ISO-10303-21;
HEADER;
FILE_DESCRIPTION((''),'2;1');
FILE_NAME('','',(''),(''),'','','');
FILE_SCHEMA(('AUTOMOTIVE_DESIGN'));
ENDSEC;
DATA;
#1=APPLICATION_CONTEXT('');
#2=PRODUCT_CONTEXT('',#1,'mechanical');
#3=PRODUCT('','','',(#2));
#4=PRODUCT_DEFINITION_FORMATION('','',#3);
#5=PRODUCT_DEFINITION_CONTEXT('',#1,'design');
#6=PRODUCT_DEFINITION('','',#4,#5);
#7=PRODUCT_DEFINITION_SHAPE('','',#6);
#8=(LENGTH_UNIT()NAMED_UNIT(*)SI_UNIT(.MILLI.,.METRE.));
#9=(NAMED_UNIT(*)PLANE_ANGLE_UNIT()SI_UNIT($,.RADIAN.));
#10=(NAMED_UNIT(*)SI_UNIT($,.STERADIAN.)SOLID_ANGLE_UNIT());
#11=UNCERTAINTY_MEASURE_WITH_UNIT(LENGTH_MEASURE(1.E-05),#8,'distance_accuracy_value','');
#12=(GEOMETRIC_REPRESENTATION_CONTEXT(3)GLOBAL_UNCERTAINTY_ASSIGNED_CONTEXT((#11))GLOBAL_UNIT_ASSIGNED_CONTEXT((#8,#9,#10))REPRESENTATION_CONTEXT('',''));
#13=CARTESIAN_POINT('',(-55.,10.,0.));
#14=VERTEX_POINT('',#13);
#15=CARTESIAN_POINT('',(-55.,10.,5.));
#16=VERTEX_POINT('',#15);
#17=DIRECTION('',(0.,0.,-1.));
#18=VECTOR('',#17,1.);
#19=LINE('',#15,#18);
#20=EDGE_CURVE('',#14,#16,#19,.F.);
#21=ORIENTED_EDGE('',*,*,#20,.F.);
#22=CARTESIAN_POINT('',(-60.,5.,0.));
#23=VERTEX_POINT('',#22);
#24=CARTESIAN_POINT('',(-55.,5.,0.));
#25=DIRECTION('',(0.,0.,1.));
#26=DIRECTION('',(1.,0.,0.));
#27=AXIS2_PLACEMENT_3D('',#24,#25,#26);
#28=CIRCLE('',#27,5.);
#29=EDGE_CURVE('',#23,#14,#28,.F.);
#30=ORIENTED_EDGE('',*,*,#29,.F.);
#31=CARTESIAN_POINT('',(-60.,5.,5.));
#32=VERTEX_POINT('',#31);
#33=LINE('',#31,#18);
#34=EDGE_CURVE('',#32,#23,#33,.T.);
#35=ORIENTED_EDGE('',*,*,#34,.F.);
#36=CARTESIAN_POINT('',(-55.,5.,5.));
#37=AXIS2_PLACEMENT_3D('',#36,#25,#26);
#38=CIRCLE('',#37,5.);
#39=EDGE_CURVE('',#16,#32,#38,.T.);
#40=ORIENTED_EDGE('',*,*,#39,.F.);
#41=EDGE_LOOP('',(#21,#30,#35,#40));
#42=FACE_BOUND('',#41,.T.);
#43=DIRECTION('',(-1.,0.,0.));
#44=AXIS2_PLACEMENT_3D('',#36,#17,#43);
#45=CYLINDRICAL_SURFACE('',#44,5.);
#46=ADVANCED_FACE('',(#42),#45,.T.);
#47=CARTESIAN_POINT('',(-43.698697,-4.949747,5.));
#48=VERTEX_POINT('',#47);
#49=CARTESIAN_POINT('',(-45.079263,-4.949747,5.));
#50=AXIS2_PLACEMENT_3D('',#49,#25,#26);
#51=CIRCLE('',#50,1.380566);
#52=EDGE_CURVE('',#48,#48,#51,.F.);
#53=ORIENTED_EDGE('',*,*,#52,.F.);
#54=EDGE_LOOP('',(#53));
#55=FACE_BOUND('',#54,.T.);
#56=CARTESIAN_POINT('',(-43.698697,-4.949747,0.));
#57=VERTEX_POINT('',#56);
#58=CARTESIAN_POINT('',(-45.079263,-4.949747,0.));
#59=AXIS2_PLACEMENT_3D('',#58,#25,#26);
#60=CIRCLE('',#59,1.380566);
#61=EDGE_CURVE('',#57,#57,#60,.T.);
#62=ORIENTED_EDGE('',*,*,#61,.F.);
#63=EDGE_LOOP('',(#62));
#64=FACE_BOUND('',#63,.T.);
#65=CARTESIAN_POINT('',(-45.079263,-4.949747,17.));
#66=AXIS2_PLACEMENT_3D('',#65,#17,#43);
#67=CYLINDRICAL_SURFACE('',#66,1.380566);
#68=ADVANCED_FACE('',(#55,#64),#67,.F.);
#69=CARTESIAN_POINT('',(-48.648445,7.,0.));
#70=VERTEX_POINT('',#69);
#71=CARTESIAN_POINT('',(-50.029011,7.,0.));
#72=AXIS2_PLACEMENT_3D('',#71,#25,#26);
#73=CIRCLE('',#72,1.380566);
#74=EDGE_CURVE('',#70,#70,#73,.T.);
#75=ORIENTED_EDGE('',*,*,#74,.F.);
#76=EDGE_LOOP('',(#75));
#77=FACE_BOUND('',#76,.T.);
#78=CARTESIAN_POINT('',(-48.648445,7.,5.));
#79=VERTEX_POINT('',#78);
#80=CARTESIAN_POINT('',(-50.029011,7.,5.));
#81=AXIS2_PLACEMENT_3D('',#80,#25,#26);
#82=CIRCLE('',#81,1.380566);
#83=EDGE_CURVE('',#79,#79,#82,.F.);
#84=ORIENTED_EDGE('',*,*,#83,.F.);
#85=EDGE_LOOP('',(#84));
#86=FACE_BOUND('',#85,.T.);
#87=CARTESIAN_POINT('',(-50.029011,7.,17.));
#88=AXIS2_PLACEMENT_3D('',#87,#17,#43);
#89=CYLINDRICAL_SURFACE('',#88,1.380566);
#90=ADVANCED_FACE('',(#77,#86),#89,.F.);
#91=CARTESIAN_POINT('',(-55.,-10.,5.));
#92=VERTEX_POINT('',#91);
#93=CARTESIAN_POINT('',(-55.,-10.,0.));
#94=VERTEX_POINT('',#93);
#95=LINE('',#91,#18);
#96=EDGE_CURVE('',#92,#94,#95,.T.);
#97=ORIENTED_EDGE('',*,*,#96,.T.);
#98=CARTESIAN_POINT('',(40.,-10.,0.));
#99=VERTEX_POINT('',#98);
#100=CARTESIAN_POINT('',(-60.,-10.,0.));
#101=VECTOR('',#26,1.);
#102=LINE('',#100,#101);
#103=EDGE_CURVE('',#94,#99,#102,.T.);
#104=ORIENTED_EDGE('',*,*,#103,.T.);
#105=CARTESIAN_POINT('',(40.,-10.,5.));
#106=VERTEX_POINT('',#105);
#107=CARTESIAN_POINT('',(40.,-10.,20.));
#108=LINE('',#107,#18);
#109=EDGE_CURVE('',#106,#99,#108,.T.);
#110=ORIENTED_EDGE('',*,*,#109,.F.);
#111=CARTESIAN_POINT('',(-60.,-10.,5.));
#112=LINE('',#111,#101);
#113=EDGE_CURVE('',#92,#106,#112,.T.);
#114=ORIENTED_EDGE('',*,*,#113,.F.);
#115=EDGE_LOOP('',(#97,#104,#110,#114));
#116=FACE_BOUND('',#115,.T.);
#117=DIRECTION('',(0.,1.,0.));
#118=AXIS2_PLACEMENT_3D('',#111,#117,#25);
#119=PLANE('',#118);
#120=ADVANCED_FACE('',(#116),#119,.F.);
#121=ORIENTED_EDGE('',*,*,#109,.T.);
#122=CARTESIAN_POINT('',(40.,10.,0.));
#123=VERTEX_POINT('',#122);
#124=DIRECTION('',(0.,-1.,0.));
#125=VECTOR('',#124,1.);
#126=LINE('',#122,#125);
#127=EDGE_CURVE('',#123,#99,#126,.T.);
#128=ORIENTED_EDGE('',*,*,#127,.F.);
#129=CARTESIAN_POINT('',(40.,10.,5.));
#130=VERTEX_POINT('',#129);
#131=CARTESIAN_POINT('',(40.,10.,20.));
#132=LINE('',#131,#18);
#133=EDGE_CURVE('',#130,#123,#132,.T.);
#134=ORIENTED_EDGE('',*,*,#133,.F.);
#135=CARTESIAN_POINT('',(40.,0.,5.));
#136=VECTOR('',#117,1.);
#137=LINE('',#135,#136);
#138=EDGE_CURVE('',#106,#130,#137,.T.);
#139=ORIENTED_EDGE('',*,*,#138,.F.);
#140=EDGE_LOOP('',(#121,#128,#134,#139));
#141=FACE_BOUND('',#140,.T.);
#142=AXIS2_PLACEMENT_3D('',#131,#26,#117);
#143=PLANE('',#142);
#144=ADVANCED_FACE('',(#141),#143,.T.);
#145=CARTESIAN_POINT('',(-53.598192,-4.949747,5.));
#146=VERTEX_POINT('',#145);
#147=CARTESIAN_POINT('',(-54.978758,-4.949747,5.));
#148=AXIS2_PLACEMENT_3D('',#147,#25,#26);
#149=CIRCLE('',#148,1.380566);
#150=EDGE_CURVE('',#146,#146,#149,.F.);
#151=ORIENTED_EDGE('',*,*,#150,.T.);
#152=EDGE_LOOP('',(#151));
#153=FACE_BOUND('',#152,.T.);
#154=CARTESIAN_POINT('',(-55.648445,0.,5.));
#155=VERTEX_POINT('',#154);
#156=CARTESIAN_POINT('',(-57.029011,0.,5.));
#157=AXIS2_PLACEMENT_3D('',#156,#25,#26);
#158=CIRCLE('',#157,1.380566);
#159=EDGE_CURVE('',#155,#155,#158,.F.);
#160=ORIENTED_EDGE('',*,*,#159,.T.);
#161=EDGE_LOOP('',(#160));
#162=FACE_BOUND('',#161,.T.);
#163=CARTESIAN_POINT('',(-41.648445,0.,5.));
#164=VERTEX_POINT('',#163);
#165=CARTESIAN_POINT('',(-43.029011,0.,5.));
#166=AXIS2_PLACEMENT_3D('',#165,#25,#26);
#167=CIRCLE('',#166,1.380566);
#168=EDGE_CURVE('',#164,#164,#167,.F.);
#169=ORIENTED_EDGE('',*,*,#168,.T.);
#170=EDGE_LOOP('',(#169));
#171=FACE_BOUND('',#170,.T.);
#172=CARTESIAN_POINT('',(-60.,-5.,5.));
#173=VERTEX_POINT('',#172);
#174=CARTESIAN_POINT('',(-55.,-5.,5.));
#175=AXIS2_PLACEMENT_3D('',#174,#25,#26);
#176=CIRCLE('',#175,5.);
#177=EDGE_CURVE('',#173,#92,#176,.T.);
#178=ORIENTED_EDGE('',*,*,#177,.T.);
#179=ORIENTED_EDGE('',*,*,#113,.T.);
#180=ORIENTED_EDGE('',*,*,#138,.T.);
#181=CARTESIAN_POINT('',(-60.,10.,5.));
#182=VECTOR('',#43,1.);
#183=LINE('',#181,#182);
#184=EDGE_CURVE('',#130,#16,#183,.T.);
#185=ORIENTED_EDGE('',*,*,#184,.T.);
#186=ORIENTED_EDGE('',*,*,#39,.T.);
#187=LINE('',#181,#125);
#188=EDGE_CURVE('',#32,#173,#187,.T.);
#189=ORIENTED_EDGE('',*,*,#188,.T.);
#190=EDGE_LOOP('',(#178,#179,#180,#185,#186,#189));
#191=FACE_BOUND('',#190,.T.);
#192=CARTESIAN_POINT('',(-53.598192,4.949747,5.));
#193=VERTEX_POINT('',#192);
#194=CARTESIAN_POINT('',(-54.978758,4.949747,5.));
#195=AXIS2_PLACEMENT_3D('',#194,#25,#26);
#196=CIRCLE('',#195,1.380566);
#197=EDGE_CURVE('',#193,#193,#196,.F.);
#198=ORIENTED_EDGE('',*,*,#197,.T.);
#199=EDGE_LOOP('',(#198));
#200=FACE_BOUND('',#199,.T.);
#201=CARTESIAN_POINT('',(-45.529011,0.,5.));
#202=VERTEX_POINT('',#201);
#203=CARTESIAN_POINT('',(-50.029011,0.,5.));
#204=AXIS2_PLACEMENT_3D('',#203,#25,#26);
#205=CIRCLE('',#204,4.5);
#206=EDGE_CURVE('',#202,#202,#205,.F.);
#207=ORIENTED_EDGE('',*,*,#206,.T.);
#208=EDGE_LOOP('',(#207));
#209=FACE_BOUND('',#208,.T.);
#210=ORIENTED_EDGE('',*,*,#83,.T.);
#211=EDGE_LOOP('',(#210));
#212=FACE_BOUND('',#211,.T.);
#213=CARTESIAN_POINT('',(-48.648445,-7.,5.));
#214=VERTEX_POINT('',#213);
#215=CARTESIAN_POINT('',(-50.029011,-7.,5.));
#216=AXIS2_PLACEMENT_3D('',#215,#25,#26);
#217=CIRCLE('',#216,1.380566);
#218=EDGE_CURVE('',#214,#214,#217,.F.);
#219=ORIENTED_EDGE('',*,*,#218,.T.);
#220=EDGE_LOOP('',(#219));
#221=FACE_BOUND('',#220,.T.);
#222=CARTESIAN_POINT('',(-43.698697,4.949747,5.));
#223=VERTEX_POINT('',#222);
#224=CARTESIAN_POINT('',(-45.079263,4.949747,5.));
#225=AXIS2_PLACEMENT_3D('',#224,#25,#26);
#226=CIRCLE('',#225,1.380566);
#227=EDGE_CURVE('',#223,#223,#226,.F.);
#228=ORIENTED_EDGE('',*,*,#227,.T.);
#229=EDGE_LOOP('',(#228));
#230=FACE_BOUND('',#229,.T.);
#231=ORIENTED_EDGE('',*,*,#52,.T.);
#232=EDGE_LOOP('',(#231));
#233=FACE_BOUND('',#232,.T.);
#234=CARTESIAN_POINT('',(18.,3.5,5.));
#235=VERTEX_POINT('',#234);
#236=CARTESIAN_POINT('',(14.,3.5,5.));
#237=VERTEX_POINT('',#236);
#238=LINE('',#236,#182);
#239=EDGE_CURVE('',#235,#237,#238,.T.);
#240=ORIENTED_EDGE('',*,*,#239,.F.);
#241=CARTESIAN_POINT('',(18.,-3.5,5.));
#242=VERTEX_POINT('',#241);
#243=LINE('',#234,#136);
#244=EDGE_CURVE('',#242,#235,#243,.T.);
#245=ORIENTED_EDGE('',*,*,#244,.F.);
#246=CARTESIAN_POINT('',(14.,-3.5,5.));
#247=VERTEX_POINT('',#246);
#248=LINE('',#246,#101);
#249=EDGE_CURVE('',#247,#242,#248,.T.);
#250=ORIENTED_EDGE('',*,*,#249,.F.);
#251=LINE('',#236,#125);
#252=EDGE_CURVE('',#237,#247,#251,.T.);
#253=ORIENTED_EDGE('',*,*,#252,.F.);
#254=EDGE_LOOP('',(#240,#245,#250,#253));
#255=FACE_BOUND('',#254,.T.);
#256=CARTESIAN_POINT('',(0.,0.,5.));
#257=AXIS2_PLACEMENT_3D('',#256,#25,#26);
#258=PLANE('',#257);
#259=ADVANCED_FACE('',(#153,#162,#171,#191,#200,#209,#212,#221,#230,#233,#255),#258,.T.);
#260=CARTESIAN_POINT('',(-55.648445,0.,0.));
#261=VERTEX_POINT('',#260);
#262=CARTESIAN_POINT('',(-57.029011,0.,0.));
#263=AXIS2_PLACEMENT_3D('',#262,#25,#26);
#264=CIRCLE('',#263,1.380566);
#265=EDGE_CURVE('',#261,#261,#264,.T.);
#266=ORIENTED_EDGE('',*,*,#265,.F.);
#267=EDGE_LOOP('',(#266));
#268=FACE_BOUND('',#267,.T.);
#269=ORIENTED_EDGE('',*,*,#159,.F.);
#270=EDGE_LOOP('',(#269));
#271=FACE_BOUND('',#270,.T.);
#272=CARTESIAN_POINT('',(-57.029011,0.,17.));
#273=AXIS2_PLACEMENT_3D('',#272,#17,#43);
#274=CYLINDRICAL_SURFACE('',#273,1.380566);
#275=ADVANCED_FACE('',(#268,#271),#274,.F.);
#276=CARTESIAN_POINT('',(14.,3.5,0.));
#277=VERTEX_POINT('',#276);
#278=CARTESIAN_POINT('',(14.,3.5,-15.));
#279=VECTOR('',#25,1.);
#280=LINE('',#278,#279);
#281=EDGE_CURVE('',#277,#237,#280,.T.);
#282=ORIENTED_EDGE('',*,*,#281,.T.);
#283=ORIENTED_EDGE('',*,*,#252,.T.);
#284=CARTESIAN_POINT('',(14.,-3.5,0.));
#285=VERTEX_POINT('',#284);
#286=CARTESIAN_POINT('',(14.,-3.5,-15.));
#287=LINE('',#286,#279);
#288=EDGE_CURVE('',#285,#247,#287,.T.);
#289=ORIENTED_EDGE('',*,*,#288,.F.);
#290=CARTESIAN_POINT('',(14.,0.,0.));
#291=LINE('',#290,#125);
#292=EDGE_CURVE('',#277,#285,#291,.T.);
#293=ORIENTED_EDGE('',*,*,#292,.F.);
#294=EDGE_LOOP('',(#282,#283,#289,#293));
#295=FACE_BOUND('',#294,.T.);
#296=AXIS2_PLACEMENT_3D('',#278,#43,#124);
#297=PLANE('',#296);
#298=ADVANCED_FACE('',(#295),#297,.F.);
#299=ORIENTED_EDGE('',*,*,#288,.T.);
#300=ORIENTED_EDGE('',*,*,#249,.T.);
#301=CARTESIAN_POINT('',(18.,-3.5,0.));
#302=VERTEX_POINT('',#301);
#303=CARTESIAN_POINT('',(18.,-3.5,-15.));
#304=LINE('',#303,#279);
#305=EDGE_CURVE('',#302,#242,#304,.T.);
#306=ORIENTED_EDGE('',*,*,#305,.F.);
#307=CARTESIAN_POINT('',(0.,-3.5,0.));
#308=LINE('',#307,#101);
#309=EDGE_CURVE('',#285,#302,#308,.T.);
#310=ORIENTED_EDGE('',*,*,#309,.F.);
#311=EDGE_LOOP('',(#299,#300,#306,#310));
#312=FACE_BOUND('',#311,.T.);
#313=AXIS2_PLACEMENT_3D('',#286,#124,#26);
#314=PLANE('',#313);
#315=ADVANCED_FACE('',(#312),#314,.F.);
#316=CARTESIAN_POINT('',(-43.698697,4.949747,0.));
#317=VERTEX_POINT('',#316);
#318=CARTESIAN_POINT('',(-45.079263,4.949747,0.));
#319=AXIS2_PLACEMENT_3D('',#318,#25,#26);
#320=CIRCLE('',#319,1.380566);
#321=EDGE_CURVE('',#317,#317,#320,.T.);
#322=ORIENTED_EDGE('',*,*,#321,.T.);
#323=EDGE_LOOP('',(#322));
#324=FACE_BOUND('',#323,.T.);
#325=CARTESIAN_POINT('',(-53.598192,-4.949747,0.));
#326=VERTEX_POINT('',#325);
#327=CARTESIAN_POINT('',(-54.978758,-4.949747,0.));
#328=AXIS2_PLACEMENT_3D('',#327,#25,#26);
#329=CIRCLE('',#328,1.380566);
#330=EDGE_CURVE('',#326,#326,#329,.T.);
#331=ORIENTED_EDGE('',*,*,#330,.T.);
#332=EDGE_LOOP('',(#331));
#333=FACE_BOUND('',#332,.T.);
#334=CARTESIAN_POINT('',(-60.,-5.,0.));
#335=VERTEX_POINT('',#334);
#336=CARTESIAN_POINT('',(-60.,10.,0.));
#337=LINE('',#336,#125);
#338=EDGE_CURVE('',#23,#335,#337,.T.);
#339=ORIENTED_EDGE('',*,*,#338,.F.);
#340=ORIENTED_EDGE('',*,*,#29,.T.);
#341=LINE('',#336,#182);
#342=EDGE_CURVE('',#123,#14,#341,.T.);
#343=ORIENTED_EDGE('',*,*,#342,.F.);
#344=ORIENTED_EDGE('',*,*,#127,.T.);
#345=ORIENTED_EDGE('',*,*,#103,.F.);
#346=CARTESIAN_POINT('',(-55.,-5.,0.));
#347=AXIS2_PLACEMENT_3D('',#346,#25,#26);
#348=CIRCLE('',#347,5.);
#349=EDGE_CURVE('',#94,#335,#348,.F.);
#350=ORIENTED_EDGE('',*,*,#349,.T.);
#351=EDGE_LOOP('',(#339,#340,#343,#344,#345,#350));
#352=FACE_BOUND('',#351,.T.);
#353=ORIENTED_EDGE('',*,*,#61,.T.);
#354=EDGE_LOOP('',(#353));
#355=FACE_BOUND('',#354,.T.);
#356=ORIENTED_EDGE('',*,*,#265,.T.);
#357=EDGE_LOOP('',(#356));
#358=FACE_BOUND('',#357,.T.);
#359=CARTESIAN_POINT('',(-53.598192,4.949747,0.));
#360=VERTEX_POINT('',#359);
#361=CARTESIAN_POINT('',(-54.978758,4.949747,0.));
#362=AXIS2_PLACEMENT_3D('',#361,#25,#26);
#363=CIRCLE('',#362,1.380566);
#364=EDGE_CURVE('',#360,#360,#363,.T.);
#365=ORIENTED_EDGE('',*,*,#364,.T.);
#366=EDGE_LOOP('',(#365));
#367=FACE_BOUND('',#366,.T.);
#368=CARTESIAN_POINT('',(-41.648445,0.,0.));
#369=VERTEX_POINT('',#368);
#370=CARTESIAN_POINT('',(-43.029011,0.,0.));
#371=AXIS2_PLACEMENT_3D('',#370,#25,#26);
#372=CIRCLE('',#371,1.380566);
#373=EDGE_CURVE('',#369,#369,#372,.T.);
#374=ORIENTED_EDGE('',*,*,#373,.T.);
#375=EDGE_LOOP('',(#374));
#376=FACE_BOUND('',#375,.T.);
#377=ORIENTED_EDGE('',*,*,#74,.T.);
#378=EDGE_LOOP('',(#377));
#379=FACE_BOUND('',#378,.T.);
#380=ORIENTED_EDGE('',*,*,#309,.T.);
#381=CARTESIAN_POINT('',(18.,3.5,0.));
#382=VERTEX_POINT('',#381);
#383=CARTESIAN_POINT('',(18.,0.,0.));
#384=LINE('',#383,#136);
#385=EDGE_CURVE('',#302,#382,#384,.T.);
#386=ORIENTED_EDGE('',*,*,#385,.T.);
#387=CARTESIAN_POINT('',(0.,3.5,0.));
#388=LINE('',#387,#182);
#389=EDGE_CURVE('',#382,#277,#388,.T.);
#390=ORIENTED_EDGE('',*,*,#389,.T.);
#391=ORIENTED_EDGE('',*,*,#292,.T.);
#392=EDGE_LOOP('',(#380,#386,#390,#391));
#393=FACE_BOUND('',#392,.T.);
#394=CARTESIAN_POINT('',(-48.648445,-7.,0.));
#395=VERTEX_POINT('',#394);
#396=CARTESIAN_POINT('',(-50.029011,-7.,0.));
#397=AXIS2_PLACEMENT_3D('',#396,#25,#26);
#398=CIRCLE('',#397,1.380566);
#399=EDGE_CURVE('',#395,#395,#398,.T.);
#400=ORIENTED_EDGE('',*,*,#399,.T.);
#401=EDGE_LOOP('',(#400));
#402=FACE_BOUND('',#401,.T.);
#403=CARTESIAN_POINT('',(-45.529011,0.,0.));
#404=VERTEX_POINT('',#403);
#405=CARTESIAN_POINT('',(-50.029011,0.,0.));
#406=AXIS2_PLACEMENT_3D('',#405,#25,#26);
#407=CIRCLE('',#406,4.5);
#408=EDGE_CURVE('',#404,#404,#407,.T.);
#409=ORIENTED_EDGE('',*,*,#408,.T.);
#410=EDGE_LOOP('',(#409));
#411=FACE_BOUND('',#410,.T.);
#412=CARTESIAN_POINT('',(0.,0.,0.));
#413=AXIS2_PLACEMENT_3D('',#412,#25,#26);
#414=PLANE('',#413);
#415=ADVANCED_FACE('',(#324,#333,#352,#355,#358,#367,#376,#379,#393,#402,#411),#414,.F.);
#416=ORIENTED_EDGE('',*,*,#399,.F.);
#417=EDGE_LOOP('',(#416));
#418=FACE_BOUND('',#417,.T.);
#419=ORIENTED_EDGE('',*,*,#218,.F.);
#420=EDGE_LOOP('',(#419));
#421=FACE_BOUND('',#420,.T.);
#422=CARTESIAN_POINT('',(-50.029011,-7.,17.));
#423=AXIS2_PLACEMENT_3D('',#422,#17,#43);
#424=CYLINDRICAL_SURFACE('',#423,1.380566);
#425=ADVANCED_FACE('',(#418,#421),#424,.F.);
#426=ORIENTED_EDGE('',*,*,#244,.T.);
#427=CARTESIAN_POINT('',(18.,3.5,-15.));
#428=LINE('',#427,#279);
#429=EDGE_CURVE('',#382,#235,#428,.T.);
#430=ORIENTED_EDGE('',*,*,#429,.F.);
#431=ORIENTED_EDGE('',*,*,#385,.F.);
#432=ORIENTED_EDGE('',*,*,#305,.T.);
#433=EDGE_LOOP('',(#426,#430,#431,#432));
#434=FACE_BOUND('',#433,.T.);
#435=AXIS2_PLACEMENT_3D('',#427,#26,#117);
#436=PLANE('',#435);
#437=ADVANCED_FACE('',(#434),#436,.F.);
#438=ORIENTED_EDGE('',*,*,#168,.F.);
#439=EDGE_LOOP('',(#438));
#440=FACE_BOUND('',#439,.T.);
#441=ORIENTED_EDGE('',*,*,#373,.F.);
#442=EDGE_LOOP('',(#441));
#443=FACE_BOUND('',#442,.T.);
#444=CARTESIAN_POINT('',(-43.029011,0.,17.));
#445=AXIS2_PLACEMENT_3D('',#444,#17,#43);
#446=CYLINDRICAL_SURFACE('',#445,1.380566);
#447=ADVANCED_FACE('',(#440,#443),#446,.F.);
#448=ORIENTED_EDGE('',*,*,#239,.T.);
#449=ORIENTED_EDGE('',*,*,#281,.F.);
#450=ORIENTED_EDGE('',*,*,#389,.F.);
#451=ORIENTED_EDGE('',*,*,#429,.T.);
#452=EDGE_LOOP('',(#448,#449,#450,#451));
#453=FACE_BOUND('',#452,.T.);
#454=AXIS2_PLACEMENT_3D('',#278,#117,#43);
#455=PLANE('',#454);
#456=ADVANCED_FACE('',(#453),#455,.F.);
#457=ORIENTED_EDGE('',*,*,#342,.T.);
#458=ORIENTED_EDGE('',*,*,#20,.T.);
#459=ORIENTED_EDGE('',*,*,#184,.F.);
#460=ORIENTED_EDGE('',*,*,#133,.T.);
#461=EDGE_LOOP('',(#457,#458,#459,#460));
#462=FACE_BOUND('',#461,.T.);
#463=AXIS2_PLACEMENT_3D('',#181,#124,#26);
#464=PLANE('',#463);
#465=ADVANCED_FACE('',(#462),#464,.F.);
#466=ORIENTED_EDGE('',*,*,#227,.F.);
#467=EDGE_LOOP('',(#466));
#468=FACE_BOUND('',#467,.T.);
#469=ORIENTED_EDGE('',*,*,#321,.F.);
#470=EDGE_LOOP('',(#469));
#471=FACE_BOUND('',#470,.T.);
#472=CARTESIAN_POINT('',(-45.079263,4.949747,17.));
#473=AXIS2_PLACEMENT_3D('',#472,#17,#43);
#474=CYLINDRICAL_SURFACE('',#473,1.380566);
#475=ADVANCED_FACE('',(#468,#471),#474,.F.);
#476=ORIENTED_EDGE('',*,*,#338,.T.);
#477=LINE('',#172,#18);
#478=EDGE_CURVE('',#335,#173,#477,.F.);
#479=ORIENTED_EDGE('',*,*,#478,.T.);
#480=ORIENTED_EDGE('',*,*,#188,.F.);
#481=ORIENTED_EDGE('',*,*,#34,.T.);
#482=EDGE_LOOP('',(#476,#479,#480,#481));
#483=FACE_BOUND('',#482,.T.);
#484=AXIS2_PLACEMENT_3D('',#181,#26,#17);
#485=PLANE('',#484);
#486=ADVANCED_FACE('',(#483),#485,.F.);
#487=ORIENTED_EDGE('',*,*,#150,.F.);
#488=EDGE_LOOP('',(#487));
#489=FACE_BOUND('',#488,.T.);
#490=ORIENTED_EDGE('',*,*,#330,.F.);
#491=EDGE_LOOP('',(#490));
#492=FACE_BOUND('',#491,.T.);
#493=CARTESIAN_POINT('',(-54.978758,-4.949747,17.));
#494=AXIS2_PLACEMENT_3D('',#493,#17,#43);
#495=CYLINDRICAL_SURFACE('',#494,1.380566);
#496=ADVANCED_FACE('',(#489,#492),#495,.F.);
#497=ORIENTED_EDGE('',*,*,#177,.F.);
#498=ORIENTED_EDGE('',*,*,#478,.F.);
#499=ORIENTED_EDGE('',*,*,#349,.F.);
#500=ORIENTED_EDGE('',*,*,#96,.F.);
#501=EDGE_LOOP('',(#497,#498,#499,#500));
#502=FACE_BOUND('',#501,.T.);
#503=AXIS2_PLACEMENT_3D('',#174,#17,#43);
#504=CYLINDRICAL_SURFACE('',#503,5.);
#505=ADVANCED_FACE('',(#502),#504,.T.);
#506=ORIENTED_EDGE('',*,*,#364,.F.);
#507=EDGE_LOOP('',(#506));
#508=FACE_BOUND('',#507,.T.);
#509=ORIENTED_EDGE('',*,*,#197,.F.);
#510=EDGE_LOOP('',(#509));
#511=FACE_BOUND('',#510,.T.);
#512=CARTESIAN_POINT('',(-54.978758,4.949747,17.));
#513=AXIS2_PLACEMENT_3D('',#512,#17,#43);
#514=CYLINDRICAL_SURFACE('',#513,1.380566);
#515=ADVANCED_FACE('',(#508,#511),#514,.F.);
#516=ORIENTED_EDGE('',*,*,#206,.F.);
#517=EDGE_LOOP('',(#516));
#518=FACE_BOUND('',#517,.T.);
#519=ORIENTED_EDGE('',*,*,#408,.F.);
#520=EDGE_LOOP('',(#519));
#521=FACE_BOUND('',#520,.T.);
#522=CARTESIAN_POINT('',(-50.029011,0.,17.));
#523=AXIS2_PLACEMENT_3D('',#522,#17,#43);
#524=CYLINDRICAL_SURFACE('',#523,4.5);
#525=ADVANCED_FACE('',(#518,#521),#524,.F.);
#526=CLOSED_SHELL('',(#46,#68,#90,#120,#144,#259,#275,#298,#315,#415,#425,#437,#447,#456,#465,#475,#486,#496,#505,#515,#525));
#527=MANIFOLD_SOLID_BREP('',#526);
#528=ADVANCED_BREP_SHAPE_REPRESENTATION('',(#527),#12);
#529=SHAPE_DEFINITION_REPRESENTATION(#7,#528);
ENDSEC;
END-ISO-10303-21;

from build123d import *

# Parameters (mm, degrees)
SKETCH1_W           = 120
SKETCH1_H           = 20
BOSS_EXTRUDE1_DEPTH = 5
FILLET1_R           = 5
SKETCH3_R           = 4.5
SKETCH3_R_2         = 1.3805661
CUT_EXTRUDE2_DEPTH  = 17
SKETCH4_W           = 20
SKETCH4_H           = 20
CUT_EXTRUDE3_DEPTH  = 20
SKETCH6_W           = 4
SKETCH6_H           = 7
CUT_EXTRUDE4_DEPTH  = 20


with BuildPart() as part:
    # Sketch1 → Boss-Extrude1 (new body)
    with BuildSketch(Plane.XY):
        Rectangle(SKETCH1_W, SKETCH1_H)
    extrude(amount=BOSS_EXTRUDE1_DEPTH)

    # Fillet1
    fillet1_edges = [part.edges().sort_by_distance(p)[0] for p in [
        (-60, -10, 2.5),
        (-60, 10, 2.5),
    ]]
    fillet(fillet1_edges, radius=FILLET1_R)

    # Sketch3 → Cut-Extrude2 (cut)
    with BuildSketch(Plane.XY):
        with Locations((-50.02901078, 0)):
            Circle(SKETCH3_R)
        with Locations((-50.02901078, 7)):
            Circle(SKETCH3_R_2)
        with Locations((-45.079263311, 4.949747468)):
            Circle(SKETCH3_R_2)
        with Locations((-43.02901078, 0)):
            Circle(SKETCH3_R_2)
        with Locations((-45.079263311, -4.949747468)):
            Circle(SKETCH3_R_2)
        with Locations((-50.02901078, -7)):
            Circle(SKETCH3_R_2)
        with Locations((-54.978758248, -4.949747468)):
            Circle(SKETCH3_R_2)
        with Locations((-57.02901078, 0)):
            Circle(SKETCH3_R_2)
        with Locations((-54.978758248, 4.949747468)):
            Circle(SKETCH3_R_2)
    extrude(amount=CUT_EXTRUDE2_DEPTH, mode=Mode.SUBTRACT)

    # Sketch4 → Cut-Extrude3 (cut)
    with BuildSketch(Plane.XY):
        with Locations((50, 0)):
            Rectangle(SKETCH4_W, SKETCH4_H)
    extrude(amount=CUT_EXTRUDE3_DEPTH, mode=Mode.SUBTRACT)

    # Sketch6 → Cut-Extrude4 (cut)
    with BuildSketch(Plane.XY.offset(5)):
        with Locations((16, 0)):
            Rectangle(SKETCH6_W, SKETCH6_H)
    extrude(amount=-CUT_EXTRUDE4_DEPTH, mode=Mode.SUBTRACT)


solid = part.part
